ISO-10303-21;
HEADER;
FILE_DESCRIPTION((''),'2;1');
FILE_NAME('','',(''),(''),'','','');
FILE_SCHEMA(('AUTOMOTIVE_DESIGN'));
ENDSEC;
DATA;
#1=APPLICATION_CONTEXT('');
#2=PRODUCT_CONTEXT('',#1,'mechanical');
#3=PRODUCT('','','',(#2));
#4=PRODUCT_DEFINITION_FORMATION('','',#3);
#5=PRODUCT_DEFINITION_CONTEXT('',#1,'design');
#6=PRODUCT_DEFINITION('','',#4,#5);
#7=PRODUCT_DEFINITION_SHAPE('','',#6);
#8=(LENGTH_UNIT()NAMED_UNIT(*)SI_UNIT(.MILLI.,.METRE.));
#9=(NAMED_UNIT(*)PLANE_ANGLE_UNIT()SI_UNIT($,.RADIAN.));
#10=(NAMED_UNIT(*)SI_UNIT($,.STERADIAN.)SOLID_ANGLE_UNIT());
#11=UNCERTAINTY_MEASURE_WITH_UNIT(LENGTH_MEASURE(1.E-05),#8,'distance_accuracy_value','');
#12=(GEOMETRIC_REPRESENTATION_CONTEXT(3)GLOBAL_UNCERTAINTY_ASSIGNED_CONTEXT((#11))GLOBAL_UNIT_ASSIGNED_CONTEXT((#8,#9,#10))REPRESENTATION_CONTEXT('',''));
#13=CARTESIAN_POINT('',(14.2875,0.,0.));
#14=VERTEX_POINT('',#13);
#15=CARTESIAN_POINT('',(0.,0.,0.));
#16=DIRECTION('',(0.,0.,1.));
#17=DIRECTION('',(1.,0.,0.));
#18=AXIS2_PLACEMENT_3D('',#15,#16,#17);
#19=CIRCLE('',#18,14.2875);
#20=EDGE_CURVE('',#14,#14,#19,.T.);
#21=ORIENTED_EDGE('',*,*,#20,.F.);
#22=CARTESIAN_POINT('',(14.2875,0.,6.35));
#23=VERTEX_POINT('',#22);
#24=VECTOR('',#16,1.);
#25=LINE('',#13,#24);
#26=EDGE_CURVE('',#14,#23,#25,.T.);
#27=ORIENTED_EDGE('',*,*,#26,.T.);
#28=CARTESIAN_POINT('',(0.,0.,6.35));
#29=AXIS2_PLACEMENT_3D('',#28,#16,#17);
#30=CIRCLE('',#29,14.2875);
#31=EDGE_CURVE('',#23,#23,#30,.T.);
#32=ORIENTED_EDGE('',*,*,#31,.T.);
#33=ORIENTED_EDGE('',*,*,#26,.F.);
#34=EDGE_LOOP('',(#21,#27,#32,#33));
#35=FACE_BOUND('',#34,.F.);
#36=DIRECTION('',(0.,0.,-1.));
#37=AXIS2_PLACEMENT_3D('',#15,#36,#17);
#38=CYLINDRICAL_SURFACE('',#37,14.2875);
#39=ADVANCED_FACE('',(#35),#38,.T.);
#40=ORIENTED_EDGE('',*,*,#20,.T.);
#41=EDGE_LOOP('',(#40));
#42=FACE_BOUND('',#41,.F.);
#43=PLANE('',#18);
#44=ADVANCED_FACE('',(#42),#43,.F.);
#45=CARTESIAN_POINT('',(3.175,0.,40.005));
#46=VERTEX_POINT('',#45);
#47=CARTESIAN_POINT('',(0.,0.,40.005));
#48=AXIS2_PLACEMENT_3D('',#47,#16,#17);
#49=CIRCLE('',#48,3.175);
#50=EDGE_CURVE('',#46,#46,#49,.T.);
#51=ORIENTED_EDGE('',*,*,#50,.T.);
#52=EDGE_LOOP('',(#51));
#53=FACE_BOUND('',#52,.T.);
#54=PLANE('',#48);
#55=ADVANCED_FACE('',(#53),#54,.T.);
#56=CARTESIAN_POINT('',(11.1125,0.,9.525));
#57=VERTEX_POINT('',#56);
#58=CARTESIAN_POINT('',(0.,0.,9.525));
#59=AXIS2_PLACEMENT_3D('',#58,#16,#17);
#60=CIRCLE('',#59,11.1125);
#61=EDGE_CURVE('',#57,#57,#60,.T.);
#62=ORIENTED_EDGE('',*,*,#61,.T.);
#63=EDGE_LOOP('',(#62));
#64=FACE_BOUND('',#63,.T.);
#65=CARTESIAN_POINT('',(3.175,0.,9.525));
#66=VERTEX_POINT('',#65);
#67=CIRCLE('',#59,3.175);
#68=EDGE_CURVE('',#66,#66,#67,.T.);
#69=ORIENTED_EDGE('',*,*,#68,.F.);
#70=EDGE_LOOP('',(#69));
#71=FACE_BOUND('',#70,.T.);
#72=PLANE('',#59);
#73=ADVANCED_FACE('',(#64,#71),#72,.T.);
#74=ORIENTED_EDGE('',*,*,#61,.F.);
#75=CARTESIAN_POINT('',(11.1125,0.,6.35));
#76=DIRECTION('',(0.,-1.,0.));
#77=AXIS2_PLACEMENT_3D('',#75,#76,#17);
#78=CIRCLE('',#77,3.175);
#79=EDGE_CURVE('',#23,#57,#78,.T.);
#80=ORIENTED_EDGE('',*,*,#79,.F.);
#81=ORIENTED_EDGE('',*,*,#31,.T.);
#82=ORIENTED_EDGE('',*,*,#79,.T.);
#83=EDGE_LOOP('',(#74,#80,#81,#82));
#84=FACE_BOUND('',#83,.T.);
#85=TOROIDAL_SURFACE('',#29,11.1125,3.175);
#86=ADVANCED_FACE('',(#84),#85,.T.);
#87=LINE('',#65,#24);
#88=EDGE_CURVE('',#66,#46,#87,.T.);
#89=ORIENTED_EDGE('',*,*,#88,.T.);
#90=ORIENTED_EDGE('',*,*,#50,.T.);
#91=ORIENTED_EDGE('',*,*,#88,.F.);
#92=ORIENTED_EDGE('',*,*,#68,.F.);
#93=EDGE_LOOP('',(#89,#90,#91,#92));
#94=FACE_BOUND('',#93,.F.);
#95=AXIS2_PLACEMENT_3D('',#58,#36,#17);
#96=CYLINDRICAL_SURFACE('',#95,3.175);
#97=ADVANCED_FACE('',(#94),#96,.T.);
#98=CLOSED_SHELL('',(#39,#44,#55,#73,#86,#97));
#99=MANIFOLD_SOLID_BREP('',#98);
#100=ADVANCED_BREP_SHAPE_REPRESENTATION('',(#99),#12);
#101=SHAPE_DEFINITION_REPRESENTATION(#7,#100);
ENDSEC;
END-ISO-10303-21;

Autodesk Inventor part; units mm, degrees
ref_plane "YZ Plane" through (0, 0, 0) normal (1, 0, 0) x (0, 1, 0)
ref_plane "XZ Plane" through (0, 0, 0) normal (0, 1, 0) x (-1, 0, 0)
ref_plane "XY Plane" through (0, 0, 0) normal (0, 0, 1) x (1, 0, 0)
sketch "Sketch1" plane through (0, 0, 0) normal (0, 0, 1) x (1, 0, 0)
  circle A0 centre (0, 0) radius 14.2875
  dimension "d0" = 28.575
extrude "Extrusion1" add sketch "Sketch1" along normal blind 9.525
sketch "Sketch2" plane through (0, 0, 9.525) normal (0, 0, 1) x (1, 0, 0)
  circle A0 centre (0, 0) radius 14.2875 projected
  circle A1 centre (0, 0) radius 3.175
  dimension "d3" = 6.35
extrude "Extrusion2" add sketch "Sketch2" along normal blind 30.48 contours A1
thread "Thread1" size "1/4-20 UNC" class "2A" standard "ANSI Unified Screw Threads" full length
fillet "Fillet1" radius 3.175 1 edges at (-14.2875, 0, 9.525)
properties part number "23015T81_leveling_feet"
